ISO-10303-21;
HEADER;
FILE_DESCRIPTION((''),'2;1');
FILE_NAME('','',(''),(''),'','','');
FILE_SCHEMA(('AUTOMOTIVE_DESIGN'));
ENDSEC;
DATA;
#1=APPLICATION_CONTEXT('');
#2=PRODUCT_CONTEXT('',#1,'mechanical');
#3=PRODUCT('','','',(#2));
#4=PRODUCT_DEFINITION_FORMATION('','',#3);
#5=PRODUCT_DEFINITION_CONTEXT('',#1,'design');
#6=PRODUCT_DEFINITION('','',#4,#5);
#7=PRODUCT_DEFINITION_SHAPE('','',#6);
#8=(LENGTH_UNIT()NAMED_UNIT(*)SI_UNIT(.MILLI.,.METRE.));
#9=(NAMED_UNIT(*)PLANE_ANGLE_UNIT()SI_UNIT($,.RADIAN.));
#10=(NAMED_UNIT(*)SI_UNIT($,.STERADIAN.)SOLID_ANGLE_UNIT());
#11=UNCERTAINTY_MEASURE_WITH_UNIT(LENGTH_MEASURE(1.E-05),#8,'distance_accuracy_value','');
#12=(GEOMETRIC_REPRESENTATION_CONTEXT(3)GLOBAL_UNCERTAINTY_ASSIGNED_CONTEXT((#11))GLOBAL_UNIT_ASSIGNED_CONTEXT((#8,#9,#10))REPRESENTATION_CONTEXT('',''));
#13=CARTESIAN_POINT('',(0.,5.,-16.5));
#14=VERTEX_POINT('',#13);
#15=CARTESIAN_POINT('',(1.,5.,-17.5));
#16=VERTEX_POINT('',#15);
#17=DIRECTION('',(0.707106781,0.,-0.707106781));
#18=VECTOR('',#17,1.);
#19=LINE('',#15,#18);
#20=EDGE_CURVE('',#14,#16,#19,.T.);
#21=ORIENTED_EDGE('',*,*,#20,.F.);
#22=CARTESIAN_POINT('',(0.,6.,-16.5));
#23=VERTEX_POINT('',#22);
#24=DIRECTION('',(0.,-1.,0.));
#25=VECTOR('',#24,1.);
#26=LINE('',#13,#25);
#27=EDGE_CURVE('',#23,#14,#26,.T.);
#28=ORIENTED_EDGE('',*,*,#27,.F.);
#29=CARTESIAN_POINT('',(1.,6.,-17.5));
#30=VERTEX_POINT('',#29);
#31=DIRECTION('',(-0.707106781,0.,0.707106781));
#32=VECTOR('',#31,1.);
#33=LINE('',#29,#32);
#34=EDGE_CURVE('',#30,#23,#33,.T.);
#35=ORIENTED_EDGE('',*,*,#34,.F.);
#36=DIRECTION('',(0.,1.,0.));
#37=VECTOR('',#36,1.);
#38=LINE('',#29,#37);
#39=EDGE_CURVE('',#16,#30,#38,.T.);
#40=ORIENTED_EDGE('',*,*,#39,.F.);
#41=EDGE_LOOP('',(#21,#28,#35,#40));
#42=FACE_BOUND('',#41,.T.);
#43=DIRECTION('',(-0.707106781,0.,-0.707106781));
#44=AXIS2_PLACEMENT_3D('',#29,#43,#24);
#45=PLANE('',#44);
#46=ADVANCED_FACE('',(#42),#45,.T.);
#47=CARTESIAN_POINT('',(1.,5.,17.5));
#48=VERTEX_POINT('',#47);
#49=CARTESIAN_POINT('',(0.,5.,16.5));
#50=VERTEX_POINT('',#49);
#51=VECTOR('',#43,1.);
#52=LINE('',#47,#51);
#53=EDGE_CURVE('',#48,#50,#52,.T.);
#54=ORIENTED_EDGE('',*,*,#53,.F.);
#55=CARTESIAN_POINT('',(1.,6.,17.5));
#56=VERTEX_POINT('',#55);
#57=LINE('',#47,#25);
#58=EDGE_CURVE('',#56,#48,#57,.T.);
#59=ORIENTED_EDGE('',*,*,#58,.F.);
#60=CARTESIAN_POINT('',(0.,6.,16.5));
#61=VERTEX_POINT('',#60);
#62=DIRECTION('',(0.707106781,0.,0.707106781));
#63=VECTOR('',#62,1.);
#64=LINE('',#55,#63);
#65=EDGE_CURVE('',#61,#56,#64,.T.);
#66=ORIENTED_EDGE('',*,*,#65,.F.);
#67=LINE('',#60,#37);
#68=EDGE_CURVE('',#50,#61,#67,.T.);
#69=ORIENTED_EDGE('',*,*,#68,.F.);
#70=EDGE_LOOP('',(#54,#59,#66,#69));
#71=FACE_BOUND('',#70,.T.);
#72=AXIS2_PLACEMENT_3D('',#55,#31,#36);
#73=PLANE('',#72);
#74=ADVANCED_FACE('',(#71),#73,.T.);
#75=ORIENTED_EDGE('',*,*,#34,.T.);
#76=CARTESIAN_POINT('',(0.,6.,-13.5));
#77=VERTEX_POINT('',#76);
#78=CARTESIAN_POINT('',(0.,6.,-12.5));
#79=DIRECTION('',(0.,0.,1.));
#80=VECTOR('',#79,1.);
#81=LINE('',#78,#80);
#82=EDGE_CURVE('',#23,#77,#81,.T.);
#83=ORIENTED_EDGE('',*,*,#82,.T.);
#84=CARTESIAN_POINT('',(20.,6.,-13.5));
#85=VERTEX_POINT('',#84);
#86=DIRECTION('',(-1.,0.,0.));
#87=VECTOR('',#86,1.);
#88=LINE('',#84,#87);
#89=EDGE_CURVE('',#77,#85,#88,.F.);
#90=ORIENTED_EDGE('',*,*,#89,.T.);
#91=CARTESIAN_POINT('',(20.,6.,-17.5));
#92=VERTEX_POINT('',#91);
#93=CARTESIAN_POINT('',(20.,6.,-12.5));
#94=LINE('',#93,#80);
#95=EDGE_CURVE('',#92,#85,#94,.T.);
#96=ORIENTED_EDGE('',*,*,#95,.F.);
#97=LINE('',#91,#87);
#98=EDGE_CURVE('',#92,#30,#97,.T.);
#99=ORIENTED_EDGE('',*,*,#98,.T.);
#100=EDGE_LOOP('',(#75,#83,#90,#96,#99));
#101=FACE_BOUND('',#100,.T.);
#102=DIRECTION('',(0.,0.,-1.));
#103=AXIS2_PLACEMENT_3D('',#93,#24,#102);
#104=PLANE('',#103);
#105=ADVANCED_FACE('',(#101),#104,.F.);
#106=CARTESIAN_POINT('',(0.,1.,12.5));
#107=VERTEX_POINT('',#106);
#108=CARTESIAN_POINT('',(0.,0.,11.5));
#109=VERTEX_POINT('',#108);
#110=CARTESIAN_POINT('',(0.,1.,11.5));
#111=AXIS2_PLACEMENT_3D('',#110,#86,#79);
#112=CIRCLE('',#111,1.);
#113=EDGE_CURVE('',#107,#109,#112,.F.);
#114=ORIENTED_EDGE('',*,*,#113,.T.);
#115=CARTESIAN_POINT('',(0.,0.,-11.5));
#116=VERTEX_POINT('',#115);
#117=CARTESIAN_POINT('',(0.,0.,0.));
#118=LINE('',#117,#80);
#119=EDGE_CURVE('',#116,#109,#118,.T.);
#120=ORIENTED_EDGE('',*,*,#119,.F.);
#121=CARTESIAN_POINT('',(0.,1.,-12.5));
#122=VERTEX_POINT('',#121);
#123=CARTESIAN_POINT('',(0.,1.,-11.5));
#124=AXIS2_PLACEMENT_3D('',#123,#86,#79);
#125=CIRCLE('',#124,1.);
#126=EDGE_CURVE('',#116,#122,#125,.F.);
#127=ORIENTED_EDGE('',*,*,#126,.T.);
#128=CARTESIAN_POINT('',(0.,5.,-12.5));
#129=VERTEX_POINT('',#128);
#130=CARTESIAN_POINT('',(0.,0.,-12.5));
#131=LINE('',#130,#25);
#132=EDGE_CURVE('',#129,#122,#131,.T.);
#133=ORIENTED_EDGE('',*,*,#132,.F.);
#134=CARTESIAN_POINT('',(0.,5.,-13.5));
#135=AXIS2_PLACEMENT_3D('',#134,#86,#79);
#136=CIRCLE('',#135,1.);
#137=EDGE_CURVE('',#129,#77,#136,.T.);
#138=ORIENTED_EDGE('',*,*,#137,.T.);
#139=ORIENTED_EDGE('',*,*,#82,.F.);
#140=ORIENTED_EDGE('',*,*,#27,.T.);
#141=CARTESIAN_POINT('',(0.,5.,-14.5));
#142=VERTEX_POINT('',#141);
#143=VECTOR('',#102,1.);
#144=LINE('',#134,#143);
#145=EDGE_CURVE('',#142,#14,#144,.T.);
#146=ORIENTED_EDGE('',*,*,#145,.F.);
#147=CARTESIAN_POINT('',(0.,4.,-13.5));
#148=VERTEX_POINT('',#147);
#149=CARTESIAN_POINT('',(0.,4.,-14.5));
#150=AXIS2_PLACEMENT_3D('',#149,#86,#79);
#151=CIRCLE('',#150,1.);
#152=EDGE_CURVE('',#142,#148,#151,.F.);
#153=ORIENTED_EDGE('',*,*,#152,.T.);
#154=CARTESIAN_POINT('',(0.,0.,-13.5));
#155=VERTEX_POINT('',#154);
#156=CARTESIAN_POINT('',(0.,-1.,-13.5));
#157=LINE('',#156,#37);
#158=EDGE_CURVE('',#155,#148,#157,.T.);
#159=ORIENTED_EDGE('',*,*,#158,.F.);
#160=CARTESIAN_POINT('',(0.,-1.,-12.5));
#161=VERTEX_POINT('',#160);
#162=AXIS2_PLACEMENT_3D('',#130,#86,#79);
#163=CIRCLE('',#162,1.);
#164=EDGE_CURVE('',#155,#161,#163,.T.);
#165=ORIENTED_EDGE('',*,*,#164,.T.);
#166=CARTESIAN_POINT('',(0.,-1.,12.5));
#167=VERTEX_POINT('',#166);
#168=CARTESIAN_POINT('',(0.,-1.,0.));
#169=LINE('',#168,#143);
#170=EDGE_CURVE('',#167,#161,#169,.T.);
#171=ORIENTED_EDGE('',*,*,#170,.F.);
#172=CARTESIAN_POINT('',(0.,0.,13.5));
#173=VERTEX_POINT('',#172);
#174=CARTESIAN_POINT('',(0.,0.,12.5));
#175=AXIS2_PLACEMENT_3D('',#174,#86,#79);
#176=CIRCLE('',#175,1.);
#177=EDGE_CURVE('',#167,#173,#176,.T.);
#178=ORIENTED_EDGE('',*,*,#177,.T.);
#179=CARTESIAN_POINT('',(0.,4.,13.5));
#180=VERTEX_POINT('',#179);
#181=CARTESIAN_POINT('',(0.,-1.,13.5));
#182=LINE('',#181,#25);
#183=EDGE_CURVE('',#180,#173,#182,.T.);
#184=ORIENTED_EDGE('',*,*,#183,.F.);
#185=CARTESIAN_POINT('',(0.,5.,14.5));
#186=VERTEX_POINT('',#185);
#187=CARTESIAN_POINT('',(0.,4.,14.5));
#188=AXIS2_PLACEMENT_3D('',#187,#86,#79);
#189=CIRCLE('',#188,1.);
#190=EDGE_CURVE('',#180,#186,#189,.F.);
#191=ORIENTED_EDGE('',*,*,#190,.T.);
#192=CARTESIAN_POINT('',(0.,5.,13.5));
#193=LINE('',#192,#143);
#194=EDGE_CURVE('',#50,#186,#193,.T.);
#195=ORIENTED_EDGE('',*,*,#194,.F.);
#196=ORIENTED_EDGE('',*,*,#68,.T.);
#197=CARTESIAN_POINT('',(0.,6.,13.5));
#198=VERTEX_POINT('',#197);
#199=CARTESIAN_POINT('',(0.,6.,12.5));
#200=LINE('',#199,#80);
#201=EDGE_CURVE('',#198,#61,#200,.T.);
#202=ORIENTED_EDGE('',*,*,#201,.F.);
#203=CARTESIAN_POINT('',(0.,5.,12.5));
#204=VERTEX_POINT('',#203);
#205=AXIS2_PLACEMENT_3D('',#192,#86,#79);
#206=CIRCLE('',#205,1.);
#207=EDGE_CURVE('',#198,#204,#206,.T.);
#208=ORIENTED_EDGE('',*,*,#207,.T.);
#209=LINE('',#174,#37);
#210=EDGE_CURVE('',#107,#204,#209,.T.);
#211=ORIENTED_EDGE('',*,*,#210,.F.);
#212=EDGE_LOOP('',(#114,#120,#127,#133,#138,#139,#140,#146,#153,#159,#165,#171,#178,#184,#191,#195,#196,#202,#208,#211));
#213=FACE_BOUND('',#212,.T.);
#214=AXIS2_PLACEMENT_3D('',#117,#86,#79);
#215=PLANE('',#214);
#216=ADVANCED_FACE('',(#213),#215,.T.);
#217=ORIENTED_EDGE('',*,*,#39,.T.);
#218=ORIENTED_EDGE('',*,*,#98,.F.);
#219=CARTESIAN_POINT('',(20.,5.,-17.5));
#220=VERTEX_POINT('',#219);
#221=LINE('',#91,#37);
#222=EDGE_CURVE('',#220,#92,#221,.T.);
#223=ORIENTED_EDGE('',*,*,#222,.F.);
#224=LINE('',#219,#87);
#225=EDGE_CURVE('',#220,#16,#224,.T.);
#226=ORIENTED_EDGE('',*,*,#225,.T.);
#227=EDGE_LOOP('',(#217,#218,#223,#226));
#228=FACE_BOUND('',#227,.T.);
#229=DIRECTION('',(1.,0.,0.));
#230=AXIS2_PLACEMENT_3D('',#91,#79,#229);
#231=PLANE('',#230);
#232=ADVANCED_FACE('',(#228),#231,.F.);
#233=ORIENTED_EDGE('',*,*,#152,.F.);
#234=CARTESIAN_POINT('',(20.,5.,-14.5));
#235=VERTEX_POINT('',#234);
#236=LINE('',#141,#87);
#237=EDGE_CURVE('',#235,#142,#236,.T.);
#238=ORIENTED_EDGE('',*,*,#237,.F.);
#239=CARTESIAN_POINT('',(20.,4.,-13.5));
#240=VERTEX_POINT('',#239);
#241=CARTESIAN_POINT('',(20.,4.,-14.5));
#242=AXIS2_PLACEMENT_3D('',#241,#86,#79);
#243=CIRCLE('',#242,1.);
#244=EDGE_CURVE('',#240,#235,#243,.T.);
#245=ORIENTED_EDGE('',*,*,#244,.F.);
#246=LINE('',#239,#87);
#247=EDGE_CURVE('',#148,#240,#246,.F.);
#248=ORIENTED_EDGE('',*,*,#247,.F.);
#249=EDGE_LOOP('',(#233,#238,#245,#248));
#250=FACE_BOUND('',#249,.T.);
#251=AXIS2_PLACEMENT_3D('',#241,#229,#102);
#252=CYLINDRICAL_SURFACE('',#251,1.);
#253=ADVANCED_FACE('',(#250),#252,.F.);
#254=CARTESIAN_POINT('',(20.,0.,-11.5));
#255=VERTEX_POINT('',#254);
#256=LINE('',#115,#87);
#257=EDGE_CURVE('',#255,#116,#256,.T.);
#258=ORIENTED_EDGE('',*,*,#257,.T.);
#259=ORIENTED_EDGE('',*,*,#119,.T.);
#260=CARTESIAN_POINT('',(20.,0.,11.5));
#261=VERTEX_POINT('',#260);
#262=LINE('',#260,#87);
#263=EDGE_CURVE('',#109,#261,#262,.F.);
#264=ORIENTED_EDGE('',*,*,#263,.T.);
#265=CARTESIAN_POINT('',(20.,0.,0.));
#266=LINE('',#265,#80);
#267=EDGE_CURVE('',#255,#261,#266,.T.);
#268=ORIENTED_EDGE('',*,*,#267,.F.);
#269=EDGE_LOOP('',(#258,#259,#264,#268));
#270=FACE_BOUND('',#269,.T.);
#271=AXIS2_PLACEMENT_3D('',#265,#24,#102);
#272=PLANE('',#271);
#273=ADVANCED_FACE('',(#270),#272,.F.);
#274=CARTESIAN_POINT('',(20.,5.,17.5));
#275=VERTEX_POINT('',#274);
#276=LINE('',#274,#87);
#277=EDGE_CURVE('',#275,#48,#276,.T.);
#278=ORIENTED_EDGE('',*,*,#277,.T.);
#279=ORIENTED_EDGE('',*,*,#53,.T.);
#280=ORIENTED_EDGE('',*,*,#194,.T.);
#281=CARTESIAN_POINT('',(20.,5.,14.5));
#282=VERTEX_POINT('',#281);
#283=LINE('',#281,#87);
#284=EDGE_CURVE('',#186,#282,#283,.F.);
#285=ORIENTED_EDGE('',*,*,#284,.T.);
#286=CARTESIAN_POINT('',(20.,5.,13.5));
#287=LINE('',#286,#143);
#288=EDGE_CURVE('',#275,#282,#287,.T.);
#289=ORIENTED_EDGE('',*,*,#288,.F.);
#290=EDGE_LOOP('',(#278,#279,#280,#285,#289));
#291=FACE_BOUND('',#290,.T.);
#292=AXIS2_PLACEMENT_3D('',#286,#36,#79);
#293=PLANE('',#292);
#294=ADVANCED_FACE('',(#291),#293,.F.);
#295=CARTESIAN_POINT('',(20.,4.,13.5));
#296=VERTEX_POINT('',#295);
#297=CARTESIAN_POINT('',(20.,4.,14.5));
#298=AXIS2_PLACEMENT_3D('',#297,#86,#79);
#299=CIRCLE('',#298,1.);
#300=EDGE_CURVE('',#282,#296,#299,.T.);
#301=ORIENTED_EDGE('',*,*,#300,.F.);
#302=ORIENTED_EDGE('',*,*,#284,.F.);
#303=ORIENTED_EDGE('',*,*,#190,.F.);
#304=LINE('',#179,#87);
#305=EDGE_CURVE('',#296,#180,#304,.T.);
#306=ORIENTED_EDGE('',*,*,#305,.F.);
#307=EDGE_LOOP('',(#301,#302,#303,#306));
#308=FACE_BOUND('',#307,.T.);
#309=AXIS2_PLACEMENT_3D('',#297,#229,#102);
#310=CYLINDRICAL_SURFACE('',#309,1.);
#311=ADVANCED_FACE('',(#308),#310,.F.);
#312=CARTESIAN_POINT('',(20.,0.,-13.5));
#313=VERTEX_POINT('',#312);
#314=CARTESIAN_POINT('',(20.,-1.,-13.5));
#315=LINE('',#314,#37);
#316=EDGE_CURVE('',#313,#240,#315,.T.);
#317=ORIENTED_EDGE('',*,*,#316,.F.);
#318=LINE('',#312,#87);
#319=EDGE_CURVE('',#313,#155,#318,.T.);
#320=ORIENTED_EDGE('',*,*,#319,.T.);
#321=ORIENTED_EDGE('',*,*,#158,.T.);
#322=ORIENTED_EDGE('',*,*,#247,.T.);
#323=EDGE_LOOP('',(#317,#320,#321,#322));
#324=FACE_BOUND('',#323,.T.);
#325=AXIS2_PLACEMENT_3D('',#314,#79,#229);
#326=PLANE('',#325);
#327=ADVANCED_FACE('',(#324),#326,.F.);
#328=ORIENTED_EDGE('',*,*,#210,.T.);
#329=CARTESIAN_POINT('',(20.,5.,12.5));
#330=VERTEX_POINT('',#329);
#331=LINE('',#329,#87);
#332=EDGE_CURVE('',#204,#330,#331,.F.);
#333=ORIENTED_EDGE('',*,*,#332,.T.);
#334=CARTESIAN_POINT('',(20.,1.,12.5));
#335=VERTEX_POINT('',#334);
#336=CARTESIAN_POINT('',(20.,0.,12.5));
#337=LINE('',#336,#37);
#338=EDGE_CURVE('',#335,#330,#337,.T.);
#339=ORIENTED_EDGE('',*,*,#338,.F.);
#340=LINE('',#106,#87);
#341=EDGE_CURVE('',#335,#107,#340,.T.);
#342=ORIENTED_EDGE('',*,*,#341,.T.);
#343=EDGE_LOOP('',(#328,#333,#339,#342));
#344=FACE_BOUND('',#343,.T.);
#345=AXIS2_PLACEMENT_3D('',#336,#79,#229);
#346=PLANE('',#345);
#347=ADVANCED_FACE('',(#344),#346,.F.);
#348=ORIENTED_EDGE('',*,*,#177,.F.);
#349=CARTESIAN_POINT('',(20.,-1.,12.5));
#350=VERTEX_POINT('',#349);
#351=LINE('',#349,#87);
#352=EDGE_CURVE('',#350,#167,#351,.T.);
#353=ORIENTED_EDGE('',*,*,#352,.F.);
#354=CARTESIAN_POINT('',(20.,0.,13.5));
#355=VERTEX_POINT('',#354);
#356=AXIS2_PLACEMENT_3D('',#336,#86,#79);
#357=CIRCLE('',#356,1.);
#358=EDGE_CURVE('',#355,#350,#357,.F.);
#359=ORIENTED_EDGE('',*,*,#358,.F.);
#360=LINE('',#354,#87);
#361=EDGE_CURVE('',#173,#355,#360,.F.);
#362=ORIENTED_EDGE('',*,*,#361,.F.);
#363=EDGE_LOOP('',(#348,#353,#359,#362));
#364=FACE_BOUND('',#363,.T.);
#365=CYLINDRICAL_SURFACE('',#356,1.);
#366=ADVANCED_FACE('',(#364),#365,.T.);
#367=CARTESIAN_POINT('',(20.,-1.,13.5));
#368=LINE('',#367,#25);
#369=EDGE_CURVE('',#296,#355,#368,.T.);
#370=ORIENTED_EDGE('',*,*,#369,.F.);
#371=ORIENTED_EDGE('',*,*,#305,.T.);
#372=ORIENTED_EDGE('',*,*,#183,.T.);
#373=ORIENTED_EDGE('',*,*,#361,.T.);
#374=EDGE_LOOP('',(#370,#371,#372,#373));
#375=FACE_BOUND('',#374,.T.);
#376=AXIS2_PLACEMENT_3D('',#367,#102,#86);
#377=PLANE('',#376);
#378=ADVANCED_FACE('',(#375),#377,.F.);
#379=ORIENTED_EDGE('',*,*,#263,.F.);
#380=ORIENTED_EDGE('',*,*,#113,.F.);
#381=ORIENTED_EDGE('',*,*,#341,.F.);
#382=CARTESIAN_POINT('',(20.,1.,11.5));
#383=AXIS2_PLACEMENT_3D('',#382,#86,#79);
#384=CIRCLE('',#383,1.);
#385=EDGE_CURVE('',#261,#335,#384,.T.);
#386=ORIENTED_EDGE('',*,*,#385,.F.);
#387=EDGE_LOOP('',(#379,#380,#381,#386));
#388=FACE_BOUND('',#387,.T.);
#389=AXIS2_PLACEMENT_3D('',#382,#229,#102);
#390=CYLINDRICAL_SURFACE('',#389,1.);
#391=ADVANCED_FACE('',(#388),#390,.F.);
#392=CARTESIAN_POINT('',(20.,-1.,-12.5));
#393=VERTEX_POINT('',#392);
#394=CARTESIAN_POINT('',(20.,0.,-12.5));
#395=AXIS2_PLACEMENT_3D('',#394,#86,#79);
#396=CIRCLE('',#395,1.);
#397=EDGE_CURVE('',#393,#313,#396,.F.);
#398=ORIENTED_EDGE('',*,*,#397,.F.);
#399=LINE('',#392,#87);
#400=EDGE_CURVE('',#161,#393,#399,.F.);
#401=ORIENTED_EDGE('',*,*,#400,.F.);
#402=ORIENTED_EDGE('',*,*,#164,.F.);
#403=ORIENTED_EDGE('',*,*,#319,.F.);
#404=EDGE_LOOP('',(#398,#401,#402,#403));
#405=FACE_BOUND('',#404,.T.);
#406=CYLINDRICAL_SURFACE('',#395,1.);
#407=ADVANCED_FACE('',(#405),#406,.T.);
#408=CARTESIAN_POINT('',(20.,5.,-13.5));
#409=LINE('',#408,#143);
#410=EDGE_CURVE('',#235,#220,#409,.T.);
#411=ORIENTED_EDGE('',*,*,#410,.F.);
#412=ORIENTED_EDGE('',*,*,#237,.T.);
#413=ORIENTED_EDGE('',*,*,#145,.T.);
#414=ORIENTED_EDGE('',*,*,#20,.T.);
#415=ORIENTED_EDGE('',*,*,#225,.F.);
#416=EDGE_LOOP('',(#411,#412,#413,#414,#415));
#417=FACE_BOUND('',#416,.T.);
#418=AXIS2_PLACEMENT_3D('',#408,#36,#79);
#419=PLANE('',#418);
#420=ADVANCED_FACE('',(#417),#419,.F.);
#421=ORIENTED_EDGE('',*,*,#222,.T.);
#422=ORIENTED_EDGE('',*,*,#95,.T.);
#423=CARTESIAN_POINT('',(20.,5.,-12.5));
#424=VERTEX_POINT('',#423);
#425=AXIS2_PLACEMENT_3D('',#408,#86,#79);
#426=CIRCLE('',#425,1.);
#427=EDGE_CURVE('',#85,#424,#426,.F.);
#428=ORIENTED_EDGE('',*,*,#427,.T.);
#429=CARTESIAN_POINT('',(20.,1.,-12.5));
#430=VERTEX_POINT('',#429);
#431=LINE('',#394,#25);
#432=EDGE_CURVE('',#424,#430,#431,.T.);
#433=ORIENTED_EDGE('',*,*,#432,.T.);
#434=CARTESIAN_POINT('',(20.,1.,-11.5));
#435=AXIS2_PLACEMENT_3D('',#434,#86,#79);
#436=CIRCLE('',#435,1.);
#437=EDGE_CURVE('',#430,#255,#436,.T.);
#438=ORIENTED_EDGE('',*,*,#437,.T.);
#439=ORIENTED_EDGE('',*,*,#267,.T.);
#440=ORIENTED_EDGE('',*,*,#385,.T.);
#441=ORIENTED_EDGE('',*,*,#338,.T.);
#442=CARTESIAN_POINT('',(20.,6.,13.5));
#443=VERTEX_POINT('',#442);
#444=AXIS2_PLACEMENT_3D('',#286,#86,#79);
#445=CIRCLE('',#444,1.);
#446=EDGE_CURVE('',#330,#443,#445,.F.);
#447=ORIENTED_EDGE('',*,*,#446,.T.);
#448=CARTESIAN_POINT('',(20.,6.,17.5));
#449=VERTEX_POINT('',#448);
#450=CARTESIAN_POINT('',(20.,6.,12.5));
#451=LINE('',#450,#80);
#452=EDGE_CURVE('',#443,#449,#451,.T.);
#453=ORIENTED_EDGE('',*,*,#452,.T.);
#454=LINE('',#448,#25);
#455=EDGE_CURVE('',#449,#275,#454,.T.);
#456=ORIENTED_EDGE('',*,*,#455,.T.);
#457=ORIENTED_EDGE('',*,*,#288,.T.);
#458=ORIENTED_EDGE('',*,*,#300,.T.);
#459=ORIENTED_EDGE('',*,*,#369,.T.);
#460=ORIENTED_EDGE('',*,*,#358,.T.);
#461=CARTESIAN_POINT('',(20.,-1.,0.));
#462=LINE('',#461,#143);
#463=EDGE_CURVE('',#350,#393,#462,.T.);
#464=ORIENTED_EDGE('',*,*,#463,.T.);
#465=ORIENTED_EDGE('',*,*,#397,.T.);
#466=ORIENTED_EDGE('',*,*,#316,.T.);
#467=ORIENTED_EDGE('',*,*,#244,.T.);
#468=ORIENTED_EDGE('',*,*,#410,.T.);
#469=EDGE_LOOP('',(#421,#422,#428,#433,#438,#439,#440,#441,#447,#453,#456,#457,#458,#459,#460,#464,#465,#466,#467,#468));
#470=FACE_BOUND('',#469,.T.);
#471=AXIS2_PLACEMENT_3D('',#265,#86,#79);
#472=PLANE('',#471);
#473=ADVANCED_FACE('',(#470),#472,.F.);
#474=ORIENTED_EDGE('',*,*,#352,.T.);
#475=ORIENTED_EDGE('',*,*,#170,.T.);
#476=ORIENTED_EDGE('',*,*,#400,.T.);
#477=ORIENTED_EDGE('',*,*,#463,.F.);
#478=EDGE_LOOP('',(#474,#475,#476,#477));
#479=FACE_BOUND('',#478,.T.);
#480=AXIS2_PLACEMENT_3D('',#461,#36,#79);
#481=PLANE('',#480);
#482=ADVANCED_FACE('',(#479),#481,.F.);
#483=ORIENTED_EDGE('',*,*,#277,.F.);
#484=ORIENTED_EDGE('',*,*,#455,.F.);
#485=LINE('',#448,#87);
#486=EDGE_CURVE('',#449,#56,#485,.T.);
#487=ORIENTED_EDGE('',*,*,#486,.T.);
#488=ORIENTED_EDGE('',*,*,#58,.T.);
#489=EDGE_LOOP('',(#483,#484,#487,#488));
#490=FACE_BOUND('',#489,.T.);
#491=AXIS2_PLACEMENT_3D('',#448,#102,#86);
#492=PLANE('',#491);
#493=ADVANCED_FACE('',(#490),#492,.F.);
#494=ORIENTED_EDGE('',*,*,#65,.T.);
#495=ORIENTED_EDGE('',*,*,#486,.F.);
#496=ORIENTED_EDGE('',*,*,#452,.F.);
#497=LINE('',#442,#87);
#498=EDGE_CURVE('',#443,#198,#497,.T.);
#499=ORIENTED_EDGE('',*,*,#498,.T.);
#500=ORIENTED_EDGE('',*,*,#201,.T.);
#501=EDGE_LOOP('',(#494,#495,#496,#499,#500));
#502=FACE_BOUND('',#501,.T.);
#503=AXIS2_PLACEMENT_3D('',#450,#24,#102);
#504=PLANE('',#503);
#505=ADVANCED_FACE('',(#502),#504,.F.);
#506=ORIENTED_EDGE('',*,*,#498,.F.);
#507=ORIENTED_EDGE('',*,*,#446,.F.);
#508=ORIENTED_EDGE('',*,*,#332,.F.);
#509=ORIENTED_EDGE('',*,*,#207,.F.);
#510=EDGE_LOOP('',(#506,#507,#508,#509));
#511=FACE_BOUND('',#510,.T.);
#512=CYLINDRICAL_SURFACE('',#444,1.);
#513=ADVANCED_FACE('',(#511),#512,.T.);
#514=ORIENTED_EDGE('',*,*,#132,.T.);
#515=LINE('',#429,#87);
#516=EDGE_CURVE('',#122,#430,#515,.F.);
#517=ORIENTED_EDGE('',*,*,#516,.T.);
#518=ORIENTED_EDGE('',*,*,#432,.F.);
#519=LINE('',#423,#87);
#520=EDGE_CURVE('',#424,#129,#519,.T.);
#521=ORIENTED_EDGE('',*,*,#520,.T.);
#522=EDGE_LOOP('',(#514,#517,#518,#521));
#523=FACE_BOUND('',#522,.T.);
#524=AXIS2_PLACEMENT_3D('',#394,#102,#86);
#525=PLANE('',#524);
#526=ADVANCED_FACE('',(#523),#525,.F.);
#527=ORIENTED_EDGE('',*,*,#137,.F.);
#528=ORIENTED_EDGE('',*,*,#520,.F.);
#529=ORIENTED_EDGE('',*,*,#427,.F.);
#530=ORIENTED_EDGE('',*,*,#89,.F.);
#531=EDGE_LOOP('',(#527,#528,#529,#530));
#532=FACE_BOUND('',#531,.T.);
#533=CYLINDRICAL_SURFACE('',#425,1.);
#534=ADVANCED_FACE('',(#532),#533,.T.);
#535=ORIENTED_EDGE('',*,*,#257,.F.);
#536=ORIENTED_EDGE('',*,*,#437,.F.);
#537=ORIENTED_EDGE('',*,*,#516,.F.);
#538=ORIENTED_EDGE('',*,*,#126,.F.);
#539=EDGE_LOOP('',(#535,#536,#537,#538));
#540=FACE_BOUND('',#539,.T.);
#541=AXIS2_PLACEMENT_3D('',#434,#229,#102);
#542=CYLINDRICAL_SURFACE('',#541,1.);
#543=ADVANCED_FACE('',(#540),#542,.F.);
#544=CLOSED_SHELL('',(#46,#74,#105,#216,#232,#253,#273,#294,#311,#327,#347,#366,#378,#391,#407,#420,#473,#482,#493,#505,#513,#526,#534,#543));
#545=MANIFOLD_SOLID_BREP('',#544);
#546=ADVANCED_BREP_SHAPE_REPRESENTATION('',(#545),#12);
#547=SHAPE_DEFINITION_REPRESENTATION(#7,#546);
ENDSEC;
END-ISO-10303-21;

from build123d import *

# Parameters (mm, degrees)
EXTRUDE_1_DEPTH = 20
FILLET_1_R      = 1
CHAMFER_1_SIZE  = 1


with BuildPart() as part:
    # 草图1 → 凸台-拉伸1 (new body)
    with BuildSketch(Plane(origin=(0, 0, 0), x_dir=(0, 0, -1), z_dir=(1, 0, 0))):
        Polygon((0, 0), (-12.5, 0), (-12.5, 6), (-17.5, 6), (-17.5, 5), (-13.5, 5), (-13.5, -1), (0, -1), (13.5, -1), (13.5, 5), (17.5, 5), (17.5, 6), (12.5, 6), (12.5, 0), align=None)
    extrude(amount=EXTRUDE_1_DEPTH)

    # 圆角1
    fillet_1_edges = [part.edges().sort_by_distance(p)[0] for p in [
        (10, -1, -13.5),
        (10, -1, 13.5),
        (10, 5, 13.5),
        (10, 6, 12.5),
        (10, 0, 12.5),
        (10, 0, -12.5),
        (10, 6, -12.5),
        (10, 5, -13.5),
    ]]
    fillet(fillet_1_edges, radius=FILLET_1_R)

    # 倒角1
    chamfer_1_edges = [part.edges().sort_by_distance(p)[0] for p in [
        (0, 5.5, 17.5),
        (0, 5.5, -17.5),
    ]]
    chamfer(chamfer_1_edges, length=CHAMFER_1_SIZE)


solid = part.part
